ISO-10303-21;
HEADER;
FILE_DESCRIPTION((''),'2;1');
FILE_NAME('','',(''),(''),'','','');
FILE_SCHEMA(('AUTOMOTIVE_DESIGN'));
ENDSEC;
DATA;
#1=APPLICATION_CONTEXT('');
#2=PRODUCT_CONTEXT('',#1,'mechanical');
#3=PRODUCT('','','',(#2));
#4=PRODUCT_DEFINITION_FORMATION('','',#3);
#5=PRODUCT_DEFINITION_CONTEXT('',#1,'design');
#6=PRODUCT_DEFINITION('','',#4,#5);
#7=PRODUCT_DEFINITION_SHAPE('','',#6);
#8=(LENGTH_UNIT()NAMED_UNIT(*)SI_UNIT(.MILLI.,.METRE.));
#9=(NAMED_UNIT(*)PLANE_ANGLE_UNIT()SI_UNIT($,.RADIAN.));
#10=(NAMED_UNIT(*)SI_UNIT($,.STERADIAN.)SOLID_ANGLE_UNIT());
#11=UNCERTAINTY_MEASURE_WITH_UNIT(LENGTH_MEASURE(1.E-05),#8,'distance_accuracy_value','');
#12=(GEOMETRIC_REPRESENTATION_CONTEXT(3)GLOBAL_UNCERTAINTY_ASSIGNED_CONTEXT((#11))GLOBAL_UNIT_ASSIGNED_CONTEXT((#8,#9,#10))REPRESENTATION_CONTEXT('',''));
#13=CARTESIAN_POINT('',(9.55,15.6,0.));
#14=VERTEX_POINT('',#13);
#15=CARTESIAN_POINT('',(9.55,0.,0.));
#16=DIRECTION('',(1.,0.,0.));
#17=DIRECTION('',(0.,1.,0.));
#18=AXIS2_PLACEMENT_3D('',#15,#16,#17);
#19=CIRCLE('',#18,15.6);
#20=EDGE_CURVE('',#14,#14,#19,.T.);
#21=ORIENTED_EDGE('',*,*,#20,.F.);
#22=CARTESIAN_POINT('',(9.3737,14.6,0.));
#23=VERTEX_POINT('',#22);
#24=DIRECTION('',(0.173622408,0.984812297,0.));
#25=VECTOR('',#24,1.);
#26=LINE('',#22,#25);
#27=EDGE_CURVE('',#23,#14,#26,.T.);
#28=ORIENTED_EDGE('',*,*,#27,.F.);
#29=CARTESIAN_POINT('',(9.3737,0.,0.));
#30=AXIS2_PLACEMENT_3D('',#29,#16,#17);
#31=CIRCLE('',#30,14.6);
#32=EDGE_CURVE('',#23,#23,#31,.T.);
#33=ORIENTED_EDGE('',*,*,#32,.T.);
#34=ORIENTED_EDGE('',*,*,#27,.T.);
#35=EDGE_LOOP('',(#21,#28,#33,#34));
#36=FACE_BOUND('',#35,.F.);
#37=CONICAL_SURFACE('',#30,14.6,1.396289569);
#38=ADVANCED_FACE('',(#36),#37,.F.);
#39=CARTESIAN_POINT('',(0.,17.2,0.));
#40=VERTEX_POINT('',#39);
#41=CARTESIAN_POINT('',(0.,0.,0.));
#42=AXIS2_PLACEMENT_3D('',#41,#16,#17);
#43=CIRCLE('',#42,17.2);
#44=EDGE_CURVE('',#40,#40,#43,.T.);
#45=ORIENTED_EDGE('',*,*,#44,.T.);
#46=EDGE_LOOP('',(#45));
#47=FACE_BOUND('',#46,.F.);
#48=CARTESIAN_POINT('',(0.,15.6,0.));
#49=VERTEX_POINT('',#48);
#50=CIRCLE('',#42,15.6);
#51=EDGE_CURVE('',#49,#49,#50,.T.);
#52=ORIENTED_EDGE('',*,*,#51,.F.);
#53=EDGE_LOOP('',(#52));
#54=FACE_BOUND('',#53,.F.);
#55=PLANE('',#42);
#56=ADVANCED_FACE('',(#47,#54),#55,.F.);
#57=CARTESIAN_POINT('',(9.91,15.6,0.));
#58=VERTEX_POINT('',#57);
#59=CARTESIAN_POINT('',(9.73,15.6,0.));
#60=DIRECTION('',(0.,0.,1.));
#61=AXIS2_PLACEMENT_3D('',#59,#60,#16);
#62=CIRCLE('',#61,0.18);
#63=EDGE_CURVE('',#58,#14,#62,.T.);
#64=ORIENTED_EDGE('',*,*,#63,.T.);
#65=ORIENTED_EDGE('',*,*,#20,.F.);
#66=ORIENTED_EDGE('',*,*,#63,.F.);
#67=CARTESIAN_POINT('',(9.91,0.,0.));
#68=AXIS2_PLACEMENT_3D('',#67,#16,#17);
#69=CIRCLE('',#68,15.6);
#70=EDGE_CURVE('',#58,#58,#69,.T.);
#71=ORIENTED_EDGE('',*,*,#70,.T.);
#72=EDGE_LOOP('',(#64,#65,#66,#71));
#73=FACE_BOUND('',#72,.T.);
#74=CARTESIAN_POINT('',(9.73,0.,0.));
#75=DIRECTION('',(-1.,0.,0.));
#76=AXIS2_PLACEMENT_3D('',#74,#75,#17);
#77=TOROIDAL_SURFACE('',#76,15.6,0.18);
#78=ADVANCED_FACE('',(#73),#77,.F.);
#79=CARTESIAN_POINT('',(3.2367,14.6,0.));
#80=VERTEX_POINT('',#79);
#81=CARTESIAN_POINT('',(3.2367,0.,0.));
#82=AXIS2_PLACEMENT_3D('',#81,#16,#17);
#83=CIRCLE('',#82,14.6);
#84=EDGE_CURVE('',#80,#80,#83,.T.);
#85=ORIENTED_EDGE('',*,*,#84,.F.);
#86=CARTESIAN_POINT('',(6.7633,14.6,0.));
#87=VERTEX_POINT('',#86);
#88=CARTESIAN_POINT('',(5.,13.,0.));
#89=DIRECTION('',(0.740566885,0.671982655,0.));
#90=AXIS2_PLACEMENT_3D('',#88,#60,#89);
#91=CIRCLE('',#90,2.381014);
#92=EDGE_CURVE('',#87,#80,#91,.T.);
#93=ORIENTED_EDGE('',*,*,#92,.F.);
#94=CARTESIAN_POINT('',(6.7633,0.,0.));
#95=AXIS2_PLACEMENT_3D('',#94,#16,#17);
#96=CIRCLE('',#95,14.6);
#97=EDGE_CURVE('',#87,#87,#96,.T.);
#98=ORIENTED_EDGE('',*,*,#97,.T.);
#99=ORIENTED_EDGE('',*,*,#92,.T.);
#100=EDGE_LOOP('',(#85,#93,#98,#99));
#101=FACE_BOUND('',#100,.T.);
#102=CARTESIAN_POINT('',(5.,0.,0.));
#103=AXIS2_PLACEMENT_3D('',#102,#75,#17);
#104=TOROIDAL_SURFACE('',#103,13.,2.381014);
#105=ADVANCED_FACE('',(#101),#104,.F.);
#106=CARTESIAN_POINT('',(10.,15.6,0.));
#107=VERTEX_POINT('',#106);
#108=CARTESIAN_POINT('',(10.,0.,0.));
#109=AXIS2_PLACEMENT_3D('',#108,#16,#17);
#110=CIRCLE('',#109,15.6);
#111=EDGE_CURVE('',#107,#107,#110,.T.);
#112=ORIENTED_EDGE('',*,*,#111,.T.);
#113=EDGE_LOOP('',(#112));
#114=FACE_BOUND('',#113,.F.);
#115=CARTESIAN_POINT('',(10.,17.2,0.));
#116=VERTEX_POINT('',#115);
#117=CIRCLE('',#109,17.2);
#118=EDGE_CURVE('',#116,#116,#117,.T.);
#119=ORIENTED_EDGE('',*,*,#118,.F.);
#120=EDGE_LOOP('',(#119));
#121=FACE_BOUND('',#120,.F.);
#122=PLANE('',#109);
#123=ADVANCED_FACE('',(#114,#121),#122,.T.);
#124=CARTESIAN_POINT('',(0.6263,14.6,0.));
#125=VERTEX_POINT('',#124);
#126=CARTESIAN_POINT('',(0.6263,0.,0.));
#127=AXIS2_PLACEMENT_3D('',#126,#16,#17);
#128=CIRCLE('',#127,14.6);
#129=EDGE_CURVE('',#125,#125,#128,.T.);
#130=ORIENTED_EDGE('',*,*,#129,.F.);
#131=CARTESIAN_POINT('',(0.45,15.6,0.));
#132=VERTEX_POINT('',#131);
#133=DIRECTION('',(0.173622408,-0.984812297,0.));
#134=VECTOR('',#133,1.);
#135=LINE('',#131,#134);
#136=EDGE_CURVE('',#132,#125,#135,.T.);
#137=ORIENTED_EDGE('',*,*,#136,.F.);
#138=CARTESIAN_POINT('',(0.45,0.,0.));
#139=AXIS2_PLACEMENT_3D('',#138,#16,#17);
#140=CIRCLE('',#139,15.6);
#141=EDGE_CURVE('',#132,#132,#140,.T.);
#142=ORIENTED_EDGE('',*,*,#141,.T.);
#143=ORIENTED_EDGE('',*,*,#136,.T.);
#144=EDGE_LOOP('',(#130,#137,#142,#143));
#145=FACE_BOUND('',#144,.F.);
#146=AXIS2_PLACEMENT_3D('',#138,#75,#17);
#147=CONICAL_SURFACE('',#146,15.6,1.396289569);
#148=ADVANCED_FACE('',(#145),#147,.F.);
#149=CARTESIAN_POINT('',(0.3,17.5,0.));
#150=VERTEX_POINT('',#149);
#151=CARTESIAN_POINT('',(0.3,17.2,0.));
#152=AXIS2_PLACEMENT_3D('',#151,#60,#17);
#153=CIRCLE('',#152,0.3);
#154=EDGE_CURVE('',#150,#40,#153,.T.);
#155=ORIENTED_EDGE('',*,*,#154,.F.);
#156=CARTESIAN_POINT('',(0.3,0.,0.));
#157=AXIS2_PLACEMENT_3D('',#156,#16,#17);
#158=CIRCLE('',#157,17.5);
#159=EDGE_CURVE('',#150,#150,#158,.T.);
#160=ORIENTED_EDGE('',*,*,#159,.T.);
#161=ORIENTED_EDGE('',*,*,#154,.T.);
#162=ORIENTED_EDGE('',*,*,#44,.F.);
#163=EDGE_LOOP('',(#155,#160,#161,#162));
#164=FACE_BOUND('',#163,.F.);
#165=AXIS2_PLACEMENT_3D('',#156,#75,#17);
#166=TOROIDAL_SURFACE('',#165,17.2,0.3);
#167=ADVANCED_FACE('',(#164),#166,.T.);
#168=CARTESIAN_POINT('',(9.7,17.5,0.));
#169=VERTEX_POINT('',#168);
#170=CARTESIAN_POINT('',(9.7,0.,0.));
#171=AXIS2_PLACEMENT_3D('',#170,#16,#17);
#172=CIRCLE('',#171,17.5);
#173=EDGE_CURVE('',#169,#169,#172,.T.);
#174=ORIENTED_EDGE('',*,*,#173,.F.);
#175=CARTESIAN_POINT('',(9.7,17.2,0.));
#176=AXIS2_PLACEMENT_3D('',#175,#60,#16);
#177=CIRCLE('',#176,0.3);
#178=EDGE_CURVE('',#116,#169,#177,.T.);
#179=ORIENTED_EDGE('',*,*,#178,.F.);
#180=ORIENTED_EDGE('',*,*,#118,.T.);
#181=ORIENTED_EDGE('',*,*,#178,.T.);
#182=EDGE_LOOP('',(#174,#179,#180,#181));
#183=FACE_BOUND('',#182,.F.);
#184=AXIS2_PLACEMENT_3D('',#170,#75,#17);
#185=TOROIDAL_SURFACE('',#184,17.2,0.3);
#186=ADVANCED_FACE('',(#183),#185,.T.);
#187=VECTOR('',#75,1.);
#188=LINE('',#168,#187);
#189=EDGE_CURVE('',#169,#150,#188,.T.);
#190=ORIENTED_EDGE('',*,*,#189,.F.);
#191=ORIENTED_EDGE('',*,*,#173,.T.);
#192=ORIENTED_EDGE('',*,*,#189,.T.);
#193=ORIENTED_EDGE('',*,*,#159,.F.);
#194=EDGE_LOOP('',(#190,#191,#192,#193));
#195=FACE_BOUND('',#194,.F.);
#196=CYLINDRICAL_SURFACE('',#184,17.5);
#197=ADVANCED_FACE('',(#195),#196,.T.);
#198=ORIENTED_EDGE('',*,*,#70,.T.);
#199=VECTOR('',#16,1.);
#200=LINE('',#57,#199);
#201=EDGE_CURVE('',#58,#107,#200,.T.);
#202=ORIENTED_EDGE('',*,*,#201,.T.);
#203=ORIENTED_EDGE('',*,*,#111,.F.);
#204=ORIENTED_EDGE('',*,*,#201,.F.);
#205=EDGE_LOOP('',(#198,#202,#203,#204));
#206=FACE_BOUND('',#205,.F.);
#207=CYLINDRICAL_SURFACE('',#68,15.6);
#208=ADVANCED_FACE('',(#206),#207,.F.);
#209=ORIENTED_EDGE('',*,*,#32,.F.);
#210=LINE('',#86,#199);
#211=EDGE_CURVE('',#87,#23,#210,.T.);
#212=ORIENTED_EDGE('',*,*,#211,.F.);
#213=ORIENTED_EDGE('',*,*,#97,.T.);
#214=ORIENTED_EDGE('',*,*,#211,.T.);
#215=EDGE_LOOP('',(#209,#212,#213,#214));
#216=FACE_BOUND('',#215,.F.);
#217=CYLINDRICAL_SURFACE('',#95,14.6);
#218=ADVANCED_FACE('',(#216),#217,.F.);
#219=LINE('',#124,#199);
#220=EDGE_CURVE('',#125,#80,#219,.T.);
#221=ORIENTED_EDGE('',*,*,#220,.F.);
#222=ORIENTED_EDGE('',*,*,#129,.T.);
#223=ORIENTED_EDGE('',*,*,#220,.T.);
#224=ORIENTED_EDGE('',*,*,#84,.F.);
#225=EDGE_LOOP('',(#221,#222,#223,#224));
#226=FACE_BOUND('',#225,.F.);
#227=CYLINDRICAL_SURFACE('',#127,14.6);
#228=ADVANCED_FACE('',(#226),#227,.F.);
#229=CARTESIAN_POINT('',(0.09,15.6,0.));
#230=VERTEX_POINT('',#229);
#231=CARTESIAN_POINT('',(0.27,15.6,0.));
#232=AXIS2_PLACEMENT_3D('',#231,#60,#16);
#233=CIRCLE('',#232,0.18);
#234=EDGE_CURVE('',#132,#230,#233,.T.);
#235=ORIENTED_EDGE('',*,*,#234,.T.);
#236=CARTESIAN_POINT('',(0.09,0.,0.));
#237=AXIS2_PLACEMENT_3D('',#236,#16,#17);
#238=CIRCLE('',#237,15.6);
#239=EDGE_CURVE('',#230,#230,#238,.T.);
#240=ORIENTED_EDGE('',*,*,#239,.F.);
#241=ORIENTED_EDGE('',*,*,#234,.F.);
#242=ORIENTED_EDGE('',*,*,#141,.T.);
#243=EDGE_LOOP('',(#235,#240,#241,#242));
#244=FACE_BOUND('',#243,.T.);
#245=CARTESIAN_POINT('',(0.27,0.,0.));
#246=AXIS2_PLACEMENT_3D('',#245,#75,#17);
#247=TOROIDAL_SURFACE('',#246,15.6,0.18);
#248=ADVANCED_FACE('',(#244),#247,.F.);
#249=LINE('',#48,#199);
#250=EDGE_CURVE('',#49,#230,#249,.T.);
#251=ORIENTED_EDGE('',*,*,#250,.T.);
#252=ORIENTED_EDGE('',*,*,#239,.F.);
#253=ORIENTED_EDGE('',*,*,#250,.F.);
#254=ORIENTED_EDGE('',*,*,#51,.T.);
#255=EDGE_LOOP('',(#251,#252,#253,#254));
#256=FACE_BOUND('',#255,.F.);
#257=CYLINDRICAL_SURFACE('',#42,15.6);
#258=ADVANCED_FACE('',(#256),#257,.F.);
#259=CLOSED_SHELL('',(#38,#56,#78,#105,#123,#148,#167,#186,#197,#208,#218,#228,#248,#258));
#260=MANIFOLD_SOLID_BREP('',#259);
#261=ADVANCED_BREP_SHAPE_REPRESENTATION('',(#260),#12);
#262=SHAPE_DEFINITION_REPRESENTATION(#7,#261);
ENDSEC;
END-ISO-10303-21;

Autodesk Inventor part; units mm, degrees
ref_plane "YZ Plane" through (0, 0, 0) normal (1, 0, 0) x (0, 1, 0)
ref_plane "XZ Plane" through (0, 0, 0) normal (0, 1, 0) x (-1, 0, 0)
ref_plane "XY Plane" through (0, 0, 0) normal (0, 0, 1) x (1, 0, 0)
sketch "Sketch_17" plane through (0, 0, 0) normal (0, 0, 1) x (1, 0, 0)
  line L0 (50, 0) -> (-50, 0)
  line L1 (0, 17.2) -> (0, 15.6)
  line L2 (0, 15.6) -> (0.09, 15.6)
  arc A0 (0.45, 15.6) -> (0.09, 15.6) centre (0.27, 15.6) ccw
  line L3 (0.45, 15.6) -> (0.6263, 14.6)
  line L4 (0.6263, 14.6) -> (3.2367, 14.6)
  arc A1 (6.7633, 14.6) -> (3.2367, 14.6) centre (5, 13) ccw
  line L5 (6.7633, 14.6) -> (9.3737, 14.6)
  line L6 (9.3737, 14.6) -> (9.55, 15.6)
  arc A2 (9.91, 15.6) -> (9.55, 15.6) centre (9.73, 15.6) ccw
  line L7 (9.91, 15.6) -> (10, 15.6)
  line L8 (10, 15.6) -> (10, 17.2)
  arc A3 (10, 17.2) -> (9.7, 17.5) centre (9.7, 17.2) ccw
  line L9 (9.7, 17.5) -> (0.3, 17.5)
  arc A4 (0.3, 17.5) -> (0, 17.2) centre (0.3, 17.2) ccw
revolve "Revolution1" add sketch "Sketch_17" angle 360 about axis through (50, 0, 0) along (1, 0, 0)
properties part number "SKF_6003-2Z_PART2"
